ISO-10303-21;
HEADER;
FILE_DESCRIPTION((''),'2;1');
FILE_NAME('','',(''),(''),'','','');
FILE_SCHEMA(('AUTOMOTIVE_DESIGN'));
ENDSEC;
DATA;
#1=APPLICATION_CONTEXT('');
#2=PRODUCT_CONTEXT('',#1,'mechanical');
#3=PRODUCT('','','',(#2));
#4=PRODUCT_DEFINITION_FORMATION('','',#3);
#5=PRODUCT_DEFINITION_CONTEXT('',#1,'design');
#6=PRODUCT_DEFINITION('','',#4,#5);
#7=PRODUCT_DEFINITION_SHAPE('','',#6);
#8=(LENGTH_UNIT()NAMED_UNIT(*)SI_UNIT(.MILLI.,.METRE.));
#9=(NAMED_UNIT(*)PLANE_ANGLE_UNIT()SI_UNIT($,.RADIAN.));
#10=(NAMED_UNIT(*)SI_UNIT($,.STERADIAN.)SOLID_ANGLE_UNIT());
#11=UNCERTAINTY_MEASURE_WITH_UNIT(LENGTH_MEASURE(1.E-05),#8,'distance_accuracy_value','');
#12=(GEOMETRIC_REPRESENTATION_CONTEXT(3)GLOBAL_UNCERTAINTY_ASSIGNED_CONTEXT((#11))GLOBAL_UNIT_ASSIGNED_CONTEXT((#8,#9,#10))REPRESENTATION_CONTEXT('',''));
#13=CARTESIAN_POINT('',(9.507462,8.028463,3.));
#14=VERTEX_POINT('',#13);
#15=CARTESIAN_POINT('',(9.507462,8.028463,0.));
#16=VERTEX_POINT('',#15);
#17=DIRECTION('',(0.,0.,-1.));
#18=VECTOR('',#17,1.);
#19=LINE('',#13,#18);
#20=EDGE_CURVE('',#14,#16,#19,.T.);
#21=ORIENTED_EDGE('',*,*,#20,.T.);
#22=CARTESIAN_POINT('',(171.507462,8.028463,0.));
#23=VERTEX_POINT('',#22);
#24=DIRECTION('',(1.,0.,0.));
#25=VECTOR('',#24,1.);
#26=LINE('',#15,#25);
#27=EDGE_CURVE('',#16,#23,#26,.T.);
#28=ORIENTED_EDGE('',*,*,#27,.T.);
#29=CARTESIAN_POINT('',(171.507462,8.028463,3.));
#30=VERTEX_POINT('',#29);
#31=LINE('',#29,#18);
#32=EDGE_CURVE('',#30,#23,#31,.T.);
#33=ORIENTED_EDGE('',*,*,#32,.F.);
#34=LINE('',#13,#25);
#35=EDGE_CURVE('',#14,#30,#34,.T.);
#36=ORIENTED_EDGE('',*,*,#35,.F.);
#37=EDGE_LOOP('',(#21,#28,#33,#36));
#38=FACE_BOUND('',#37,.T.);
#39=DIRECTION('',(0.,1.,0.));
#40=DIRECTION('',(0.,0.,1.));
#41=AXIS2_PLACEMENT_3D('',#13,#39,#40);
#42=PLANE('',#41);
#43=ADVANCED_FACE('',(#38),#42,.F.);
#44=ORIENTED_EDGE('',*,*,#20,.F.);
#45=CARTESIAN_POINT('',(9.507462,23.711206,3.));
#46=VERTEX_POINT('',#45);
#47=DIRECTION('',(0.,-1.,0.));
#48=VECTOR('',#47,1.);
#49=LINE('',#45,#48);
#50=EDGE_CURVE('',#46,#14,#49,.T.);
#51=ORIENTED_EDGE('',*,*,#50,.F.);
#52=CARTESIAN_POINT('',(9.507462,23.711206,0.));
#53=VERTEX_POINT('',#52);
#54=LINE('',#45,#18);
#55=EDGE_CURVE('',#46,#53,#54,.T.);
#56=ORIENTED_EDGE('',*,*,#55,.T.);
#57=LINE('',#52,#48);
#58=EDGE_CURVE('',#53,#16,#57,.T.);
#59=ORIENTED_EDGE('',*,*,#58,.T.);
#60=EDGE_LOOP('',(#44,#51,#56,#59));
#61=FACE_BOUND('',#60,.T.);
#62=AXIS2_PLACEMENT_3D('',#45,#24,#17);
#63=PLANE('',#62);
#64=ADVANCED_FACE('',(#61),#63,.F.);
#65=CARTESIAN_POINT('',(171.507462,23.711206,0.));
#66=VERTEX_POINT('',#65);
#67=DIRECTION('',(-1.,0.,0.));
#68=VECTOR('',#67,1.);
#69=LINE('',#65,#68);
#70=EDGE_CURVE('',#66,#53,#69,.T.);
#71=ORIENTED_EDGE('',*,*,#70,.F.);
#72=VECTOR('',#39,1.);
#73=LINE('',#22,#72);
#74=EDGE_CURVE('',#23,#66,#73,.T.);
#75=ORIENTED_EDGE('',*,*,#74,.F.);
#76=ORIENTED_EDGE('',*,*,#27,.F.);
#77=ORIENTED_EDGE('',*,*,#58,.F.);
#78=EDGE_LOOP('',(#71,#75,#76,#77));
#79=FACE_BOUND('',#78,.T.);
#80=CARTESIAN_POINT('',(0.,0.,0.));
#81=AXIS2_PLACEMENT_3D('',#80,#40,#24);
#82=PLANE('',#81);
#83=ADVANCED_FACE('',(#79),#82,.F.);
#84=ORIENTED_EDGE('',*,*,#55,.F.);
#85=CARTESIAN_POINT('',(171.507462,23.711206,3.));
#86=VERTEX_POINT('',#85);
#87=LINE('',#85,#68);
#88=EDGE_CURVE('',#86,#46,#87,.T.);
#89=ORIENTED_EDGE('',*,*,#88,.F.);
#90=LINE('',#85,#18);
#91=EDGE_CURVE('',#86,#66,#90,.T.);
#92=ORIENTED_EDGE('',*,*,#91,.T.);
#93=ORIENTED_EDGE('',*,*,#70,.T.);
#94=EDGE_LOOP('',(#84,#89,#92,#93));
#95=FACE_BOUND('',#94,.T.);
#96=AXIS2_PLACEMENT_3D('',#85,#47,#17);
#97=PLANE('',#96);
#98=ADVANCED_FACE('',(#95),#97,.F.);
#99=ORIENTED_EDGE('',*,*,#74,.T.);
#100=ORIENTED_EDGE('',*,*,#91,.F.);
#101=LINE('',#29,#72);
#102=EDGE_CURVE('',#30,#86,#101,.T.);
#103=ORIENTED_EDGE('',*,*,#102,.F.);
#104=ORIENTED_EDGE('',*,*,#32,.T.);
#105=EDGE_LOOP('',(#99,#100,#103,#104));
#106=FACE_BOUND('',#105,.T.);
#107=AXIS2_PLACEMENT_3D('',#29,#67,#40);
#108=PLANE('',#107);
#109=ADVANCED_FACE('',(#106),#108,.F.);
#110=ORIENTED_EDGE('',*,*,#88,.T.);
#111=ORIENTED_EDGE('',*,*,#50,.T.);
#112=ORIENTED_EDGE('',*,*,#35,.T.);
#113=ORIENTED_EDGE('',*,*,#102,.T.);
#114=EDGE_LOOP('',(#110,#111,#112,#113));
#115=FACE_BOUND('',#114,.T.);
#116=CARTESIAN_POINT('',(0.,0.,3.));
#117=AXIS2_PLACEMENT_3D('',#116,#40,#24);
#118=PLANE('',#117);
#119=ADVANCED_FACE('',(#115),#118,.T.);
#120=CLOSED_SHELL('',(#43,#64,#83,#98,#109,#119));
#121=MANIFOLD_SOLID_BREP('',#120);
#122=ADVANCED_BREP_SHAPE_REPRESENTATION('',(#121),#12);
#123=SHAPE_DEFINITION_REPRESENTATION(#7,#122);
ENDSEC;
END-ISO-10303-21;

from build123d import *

# Parameters (mm, degrees)
MODEL_W             = 162
MODEL_H             = 15.682742453
BOSS_EXTRUDE1_DEPTH = 3


with BuildPart() as part:
    # Model → Boss-Extrude1 (new body)
    with BuildSketch(Plane.XY):
        with Locations((90.507461859, 15.869834704)):
            Rectangle(MODEL_W, MODEL_H)
    extrude(amount=BOSS_EXTRUDE1_DEPTH)


solid = part.part
